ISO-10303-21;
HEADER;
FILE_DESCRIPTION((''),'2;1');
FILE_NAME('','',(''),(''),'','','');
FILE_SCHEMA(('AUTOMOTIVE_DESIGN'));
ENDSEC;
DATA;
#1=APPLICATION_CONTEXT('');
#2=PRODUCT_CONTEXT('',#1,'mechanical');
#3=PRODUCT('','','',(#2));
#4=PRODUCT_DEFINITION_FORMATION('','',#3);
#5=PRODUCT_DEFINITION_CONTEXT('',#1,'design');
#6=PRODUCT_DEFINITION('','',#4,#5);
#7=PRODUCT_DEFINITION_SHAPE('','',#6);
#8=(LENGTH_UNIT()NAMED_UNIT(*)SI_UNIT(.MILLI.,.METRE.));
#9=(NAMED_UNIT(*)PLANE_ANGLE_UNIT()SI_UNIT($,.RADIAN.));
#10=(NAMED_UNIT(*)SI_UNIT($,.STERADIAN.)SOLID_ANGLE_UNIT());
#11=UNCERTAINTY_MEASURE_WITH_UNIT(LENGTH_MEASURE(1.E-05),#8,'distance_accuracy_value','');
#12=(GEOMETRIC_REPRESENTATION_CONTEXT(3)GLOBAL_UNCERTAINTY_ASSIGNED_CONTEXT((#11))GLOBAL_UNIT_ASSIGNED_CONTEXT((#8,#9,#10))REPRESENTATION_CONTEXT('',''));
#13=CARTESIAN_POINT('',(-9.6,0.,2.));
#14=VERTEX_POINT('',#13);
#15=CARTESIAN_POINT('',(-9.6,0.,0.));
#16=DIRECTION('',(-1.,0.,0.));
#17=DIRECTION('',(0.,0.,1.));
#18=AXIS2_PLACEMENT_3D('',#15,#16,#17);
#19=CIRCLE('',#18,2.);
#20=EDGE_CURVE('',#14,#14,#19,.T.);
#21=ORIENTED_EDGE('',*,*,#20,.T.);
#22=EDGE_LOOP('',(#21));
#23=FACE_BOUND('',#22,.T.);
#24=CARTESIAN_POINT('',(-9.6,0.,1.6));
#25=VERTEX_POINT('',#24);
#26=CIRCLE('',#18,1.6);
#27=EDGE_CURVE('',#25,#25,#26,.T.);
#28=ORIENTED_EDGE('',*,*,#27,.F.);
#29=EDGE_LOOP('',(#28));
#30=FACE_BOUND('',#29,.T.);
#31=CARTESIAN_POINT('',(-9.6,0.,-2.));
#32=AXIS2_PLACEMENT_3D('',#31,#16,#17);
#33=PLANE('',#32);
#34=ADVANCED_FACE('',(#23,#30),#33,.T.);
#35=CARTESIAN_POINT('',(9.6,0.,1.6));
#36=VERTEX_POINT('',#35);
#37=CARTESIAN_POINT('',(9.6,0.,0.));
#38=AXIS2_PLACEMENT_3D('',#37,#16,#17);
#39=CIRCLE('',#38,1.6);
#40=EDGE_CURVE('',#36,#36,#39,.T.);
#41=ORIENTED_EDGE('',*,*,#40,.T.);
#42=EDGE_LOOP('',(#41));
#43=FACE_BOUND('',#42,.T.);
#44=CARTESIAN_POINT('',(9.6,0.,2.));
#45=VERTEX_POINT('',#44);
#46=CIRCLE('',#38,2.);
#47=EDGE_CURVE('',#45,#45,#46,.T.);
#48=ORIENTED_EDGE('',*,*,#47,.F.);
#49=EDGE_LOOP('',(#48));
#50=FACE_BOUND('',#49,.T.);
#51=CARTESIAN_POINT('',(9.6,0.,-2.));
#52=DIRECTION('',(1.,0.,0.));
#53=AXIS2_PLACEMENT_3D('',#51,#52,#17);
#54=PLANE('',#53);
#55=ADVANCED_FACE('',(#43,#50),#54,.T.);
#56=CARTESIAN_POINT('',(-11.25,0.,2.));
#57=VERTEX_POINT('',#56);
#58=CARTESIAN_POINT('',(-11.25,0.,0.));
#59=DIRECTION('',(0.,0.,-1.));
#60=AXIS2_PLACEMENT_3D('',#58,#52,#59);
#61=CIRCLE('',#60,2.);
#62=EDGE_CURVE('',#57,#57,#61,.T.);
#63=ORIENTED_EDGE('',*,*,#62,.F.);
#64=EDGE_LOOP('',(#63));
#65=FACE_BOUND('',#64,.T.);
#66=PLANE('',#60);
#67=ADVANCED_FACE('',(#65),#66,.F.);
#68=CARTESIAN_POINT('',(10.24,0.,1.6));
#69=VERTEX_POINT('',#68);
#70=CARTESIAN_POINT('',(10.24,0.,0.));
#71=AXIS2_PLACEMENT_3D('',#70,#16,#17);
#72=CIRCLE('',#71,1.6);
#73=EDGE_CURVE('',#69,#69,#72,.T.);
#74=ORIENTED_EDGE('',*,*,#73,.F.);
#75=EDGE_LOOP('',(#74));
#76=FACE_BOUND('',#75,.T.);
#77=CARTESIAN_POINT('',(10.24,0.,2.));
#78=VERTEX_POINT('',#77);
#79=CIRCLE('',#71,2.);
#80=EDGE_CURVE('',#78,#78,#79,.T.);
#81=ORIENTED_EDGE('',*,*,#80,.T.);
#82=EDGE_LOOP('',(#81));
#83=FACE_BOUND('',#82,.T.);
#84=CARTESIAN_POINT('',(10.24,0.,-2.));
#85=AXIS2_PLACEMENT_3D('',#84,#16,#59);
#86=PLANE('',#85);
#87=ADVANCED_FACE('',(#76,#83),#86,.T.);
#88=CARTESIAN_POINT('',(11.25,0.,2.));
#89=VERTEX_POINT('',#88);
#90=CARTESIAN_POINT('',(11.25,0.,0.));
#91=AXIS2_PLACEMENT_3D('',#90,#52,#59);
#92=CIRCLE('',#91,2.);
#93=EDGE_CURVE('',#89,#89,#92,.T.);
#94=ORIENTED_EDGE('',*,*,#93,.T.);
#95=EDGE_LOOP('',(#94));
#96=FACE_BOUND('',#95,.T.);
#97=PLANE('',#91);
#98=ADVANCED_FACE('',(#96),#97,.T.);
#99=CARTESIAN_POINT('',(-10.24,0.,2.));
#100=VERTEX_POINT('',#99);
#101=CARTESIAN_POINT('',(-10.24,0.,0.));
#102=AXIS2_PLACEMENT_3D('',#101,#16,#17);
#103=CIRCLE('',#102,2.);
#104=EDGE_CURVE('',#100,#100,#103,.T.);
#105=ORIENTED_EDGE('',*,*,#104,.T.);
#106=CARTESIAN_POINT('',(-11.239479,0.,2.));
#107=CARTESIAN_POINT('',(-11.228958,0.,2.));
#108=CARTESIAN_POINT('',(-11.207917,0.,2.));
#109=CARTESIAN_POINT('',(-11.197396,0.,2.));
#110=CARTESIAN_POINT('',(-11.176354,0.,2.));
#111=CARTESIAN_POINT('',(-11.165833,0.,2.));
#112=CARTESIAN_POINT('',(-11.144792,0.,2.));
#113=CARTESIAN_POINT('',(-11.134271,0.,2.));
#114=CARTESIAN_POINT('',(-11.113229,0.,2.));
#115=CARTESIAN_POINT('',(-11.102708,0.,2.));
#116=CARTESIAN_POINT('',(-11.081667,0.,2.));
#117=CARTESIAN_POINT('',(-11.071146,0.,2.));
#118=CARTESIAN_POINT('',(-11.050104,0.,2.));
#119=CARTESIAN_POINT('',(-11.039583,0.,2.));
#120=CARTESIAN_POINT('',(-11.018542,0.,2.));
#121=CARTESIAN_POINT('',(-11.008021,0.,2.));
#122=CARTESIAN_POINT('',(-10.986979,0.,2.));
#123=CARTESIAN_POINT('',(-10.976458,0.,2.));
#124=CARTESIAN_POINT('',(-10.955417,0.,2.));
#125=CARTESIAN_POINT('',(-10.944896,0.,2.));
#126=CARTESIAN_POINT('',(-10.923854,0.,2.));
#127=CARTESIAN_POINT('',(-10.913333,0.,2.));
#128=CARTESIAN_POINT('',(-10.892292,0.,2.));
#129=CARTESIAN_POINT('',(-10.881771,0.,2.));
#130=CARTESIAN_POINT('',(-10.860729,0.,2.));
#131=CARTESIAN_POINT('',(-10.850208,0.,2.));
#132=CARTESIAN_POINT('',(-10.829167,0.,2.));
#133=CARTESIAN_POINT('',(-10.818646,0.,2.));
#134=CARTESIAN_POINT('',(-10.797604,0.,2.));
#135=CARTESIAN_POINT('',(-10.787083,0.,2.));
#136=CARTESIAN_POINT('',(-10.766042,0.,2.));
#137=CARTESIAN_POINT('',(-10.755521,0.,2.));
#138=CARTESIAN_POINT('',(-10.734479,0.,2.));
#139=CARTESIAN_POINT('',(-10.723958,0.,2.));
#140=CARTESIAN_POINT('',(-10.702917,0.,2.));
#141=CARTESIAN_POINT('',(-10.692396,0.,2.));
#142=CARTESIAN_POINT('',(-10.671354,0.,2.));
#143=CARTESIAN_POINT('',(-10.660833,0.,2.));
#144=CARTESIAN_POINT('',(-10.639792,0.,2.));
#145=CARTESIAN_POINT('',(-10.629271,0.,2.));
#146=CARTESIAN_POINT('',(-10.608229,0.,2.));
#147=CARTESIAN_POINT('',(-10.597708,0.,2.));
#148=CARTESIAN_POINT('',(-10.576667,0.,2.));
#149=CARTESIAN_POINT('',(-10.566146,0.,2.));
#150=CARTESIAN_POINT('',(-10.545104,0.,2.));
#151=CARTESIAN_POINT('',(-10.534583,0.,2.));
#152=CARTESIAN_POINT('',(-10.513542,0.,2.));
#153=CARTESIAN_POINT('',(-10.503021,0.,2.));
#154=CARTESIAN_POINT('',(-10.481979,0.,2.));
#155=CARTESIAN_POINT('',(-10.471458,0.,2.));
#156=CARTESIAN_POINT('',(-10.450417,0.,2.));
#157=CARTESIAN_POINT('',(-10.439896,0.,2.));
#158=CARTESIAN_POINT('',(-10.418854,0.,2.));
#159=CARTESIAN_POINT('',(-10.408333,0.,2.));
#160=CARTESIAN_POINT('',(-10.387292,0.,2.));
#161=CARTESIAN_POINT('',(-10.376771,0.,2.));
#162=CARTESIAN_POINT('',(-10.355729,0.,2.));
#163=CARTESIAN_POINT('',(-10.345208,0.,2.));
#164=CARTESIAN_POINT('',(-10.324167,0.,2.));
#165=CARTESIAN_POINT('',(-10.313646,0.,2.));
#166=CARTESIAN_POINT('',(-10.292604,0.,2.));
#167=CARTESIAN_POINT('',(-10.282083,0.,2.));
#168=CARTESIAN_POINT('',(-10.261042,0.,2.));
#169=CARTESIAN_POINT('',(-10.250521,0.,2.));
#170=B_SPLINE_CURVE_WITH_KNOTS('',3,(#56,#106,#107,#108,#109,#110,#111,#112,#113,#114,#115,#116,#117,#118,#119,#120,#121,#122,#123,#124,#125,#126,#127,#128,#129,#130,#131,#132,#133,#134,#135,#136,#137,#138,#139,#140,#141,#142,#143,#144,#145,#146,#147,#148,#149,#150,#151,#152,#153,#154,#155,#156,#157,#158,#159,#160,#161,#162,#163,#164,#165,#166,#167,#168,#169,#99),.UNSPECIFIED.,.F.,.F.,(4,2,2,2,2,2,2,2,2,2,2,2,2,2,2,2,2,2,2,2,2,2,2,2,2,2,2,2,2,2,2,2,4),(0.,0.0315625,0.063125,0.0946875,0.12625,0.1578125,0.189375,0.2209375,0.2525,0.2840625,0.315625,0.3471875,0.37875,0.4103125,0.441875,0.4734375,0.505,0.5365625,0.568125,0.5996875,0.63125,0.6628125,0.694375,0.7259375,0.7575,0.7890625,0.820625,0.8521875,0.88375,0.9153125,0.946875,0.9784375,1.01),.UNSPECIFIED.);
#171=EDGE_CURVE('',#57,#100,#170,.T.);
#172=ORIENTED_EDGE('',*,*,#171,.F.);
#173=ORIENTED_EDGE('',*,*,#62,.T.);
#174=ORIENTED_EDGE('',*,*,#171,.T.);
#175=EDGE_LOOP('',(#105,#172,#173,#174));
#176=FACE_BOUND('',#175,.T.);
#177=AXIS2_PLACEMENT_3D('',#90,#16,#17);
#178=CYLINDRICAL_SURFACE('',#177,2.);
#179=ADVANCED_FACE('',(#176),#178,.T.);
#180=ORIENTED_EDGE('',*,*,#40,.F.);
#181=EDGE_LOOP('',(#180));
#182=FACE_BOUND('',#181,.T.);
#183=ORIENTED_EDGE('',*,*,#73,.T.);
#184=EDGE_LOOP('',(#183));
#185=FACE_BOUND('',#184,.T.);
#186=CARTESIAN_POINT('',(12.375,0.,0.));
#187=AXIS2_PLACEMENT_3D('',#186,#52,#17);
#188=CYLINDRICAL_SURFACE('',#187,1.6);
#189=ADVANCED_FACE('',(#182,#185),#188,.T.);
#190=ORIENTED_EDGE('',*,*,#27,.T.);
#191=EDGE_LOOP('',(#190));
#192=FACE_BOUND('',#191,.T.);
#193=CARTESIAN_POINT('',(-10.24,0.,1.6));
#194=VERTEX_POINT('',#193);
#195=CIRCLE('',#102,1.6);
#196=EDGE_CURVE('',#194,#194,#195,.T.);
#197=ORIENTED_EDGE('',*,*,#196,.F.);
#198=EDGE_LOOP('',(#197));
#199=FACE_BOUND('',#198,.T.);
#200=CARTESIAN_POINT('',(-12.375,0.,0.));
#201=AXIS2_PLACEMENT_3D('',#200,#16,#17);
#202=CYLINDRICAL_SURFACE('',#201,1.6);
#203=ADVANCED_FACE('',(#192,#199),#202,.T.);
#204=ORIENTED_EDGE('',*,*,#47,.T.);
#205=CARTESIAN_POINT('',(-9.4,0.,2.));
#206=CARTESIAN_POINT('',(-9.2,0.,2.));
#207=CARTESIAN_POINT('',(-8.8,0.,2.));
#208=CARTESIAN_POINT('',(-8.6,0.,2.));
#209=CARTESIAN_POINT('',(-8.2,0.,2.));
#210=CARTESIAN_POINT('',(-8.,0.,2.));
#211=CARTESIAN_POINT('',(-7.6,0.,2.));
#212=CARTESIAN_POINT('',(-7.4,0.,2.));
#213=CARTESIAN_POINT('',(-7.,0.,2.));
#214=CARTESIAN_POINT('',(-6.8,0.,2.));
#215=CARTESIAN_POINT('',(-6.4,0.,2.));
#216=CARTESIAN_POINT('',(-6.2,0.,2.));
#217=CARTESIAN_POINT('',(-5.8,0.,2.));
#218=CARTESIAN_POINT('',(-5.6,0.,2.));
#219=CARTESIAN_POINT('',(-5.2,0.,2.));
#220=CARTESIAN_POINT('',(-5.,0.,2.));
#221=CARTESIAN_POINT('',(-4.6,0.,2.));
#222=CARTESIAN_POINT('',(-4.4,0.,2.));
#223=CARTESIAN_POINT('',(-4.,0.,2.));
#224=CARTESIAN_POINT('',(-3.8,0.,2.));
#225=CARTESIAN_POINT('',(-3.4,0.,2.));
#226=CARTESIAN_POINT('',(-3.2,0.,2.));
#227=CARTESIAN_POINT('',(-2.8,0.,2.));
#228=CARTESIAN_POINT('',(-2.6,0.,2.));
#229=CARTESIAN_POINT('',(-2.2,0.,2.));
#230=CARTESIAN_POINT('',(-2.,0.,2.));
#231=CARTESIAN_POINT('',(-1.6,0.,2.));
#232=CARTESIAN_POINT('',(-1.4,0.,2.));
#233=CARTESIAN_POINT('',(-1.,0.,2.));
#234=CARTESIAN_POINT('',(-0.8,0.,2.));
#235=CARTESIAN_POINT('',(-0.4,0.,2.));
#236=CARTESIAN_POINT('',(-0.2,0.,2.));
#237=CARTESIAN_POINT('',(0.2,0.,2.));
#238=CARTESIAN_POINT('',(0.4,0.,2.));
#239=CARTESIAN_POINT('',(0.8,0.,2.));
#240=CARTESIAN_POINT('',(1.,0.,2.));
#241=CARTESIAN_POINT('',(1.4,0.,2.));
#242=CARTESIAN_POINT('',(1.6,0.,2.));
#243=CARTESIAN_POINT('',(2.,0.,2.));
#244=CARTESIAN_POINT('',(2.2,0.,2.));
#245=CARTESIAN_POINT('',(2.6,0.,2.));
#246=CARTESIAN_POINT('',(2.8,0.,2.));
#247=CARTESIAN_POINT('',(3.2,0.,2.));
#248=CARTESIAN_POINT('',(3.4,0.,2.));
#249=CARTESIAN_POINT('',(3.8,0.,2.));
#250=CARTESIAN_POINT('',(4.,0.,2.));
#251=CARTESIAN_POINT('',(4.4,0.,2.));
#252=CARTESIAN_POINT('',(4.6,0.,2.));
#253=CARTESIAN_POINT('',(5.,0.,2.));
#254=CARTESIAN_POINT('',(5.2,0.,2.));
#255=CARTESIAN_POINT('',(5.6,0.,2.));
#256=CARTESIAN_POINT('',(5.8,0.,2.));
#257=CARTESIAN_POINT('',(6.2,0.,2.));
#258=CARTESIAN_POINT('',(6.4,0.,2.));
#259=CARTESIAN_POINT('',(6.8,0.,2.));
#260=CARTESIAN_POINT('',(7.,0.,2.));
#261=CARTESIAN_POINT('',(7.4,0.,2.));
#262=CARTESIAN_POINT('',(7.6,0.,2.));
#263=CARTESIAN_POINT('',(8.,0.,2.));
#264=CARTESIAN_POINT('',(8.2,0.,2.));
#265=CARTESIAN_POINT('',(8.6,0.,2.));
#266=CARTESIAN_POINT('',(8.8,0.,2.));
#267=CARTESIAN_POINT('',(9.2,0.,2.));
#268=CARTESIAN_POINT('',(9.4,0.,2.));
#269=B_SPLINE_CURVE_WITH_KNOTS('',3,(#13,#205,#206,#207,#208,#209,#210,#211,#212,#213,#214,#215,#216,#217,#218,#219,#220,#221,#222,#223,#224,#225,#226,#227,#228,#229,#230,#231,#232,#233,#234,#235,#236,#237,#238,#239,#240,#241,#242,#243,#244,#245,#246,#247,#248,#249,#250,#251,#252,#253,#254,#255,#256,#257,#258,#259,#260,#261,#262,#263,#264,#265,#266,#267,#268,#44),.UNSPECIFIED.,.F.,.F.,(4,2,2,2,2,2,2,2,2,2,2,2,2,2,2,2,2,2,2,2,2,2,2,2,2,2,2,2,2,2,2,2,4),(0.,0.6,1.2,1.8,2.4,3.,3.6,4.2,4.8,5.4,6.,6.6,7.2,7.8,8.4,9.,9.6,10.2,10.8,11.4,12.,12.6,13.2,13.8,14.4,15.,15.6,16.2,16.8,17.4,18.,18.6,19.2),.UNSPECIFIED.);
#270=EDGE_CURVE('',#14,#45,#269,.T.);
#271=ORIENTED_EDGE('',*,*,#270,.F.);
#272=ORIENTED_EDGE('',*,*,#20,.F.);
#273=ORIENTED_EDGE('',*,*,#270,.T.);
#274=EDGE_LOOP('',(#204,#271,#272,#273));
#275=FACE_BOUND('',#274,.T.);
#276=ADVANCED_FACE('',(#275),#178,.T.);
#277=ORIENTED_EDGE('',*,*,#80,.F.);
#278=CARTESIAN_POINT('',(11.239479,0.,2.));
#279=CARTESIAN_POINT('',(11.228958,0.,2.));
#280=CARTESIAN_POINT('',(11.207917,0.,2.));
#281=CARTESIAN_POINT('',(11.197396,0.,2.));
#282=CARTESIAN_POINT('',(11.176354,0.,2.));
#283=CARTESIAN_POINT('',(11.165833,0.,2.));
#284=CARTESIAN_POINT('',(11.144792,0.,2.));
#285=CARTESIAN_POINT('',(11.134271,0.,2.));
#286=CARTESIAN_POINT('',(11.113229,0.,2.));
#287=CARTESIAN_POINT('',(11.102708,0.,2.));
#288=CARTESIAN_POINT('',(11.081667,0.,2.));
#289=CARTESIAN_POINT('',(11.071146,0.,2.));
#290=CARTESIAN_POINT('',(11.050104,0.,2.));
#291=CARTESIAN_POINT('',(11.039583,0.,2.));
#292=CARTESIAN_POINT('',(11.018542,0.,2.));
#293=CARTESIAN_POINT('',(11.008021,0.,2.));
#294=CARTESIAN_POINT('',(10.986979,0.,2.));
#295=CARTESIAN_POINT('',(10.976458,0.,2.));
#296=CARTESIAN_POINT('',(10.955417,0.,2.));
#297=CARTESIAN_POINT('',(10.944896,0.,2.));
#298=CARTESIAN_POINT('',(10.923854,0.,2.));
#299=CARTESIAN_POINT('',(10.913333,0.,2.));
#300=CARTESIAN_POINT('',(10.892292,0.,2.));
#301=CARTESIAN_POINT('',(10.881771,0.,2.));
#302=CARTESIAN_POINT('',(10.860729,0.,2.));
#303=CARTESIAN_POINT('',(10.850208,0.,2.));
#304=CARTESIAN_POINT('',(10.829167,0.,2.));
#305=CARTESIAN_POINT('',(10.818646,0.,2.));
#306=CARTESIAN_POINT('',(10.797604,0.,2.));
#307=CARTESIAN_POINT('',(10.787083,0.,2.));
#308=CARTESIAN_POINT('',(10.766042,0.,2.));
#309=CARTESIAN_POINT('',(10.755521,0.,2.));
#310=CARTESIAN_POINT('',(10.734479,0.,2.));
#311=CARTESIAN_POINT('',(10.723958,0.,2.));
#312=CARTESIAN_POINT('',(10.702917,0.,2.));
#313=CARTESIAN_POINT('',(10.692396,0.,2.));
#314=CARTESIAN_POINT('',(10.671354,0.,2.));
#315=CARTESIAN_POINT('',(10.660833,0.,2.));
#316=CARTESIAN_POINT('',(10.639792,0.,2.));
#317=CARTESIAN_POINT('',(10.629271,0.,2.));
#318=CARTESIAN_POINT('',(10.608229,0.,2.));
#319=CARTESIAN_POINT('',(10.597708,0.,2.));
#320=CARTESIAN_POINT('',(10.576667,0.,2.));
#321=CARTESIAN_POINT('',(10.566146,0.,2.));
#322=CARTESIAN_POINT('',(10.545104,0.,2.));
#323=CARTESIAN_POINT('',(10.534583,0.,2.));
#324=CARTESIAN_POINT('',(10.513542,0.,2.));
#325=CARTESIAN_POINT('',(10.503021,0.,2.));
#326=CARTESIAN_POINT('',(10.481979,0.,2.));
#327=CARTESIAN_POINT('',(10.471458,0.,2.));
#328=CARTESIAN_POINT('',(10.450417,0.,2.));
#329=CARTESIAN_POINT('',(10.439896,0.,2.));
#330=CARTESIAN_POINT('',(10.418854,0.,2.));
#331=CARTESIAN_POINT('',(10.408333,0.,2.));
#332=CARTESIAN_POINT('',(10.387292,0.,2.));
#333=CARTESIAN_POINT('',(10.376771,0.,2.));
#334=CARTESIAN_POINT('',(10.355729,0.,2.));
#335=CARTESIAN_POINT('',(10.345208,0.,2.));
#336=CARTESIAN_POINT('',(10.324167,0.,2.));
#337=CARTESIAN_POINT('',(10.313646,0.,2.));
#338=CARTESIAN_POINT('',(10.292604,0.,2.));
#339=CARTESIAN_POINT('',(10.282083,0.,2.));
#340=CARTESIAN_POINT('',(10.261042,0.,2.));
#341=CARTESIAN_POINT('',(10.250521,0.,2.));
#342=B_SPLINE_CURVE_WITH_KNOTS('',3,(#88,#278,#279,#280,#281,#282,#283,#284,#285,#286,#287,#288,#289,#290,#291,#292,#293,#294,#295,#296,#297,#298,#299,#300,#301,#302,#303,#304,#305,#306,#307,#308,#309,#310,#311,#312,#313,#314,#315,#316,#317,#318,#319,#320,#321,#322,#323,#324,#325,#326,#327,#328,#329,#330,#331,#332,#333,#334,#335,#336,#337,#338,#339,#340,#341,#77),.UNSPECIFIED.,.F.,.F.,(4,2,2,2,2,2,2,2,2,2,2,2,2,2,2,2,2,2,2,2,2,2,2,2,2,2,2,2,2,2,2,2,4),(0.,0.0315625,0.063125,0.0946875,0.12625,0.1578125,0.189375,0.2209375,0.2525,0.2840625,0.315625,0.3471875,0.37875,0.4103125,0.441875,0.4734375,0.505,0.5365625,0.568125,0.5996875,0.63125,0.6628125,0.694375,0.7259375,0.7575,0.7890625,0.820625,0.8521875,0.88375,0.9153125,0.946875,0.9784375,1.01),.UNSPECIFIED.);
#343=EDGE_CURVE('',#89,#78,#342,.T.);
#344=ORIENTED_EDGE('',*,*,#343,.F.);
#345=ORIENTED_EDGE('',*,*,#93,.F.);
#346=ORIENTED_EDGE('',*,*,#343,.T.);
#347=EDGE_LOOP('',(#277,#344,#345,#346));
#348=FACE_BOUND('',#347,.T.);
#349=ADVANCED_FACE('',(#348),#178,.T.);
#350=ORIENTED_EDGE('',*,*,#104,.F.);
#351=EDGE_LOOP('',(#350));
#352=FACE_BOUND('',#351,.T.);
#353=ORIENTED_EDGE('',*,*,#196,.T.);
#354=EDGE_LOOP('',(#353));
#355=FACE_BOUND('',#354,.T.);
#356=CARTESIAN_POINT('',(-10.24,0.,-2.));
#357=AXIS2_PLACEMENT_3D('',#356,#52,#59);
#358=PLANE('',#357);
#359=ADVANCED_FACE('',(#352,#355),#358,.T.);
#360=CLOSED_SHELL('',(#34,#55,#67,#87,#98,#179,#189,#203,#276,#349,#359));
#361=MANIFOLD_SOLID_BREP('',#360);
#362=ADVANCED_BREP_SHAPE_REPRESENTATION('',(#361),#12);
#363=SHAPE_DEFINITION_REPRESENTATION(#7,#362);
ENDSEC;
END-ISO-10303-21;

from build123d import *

# Parameters (mm, degrees)
SKETCH1_R           = 2
BOSS_EXTRUDE1_DEPTH = 11.25
SKETCH3_W           = 0.64
SKETCH3_H           = 0.4


with BuildPart() as part:
    # Sketch1 → Boss-Extrude1 (new, symmetric)
    with BuildSketch(Plane(origin=(0, 0, 0), x_dir=(0, 0, -1), z_dir=(1, 0, 0))):
        with Locations(Location((0, 0, 0), (0, 0, 180))):
            Circle(SKETCH1_R)
    extrude(amount=BOSS_EXTRUDE1_DEPTH, both=True)

    # Sketch3 → Cut-Revolve1 (revolve, cut)
    with BuildSketch(Plane(origin=(0, 0, 0), x_dir=(1, 0, 0), z_dir=(0, 1, 0)), mode=Mode.PRIVATE) as cut_revolve1_sk:
        with Locations((-9.92, 1.8)):
            Rectangle(SKETCH3_W, SKETCH3_H)
    cut_revolve1 = revolve(cut_revolve1_sk.sketch.rotate(Axis((-12.375, 0, 0), (1, 0, 0)), 180), axis=Axis((-12.375, 0, 0), (1, 0, 0)), mode=Mode.SUBTRACT)

    # Mirror1: Cut-Revolve1 across plane
    add(cut_revolve1.mirror(Plane(origin=(0, 0, 0), x_dir=(0, 0, 1), z_dir=(1, 0, 0))), mode=Mode.SUBTRACT)


solid = part.part
